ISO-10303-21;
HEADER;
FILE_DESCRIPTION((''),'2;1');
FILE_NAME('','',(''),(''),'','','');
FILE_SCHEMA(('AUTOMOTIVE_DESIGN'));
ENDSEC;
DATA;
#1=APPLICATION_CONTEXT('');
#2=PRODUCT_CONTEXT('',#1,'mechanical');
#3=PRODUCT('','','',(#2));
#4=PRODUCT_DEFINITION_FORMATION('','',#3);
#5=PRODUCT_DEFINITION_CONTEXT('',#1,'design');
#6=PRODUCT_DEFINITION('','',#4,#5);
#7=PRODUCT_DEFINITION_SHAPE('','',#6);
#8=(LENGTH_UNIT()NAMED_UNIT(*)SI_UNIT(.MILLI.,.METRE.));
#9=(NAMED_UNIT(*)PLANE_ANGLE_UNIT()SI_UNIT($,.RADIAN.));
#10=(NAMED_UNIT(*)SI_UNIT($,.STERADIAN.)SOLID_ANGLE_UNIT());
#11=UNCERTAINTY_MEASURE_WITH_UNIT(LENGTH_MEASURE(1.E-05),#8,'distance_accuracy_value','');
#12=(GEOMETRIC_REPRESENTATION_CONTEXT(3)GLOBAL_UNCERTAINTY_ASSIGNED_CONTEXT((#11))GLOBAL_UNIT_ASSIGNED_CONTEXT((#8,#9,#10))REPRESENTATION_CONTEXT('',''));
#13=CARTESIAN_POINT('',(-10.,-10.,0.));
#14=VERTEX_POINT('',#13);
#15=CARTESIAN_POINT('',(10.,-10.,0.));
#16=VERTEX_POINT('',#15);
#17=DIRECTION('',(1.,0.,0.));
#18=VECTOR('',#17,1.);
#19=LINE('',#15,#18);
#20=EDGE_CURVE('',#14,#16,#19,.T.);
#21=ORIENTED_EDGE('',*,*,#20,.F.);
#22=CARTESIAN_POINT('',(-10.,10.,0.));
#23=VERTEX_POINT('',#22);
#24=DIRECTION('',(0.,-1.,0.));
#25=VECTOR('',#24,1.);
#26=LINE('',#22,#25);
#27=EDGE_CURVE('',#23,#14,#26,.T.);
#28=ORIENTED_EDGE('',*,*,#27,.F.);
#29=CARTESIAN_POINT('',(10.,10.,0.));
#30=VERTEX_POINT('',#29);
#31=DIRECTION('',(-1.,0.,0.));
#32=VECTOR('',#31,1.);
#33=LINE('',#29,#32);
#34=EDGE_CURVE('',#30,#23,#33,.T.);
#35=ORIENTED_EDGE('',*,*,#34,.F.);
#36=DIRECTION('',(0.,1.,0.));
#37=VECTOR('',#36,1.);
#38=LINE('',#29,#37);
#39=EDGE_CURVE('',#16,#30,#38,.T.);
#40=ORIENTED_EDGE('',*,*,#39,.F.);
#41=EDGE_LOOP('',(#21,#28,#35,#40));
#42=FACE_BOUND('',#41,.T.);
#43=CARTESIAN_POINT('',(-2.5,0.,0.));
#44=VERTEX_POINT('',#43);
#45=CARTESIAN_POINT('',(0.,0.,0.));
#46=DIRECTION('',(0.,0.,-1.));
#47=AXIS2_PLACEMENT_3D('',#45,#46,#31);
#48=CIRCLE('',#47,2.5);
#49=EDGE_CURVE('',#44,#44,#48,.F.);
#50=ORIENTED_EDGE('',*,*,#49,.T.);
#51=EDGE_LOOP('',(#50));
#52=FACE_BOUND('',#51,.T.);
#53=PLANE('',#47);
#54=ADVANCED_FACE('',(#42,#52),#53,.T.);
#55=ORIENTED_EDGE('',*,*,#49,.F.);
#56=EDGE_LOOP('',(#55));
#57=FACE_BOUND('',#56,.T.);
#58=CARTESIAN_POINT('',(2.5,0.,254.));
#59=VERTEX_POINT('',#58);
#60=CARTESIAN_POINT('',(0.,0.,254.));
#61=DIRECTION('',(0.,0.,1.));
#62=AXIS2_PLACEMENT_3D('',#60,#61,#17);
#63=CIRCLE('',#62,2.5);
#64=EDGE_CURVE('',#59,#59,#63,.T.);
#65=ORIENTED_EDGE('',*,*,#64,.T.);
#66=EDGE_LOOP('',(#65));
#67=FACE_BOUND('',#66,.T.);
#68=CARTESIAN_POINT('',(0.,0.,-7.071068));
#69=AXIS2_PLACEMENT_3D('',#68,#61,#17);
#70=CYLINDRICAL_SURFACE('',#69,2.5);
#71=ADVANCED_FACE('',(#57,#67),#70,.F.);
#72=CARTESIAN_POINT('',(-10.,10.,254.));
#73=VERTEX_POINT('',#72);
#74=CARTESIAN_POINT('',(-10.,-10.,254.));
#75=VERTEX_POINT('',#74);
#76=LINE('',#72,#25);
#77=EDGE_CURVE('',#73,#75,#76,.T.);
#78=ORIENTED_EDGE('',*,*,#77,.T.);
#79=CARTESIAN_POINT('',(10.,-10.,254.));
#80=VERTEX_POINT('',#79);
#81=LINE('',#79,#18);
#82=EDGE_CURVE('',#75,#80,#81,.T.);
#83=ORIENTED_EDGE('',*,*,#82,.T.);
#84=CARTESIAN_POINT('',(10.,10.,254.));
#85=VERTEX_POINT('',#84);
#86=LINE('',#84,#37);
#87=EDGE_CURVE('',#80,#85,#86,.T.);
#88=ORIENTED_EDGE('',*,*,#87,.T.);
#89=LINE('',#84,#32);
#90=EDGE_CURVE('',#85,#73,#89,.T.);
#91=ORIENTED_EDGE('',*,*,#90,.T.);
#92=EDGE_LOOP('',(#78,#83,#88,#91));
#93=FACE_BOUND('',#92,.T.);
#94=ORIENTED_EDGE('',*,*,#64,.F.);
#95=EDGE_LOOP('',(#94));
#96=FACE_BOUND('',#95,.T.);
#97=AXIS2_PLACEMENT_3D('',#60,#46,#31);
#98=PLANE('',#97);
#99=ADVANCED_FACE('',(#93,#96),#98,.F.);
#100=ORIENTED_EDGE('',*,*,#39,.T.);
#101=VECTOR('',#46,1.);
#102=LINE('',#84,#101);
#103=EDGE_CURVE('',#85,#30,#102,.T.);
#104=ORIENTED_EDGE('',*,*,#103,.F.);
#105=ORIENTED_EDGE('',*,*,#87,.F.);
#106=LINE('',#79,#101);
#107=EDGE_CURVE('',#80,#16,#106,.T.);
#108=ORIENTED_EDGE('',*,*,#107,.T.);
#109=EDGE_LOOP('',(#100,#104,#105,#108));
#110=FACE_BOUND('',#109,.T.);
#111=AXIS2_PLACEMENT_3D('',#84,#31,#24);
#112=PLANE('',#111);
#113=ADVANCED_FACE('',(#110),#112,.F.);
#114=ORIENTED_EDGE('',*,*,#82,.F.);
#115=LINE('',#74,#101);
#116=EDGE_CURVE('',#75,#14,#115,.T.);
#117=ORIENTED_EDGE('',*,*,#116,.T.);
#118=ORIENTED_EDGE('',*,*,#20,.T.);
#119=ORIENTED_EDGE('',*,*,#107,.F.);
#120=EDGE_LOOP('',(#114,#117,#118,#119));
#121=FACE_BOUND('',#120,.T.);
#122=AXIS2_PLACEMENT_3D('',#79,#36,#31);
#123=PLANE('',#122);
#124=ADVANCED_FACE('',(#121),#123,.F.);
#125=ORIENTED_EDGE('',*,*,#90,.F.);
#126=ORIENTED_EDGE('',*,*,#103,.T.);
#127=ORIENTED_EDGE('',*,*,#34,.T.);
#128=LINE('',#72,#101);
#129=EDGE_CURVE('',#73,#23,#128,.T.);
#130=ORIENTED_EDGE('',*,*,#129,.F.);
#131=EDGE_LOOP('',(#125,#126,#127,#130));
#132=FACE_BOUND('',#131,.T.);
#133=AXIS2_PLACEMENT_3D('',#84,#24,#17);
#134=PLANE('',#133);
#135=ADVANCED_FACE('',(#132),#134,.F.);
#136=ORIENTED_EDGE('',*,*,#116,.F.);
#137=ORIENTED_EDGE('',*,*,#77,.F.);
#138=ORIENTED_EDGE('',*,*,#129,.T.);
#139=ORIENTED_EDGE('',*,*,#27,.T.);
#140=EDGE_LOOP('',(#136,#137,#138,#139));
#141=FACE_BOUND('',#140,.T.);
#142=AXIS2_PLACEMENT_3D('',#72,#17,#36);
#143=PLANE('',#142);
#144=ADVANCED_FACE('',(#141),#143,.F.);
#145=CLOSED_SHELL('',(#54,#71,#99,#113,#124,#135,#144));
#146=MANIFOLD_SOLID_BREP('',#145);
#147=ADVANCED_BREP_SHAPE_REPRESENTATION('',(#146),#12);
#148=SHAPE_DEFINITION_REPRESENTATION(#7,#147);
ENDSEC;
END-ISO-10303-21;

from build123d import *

# Parameters (mm, degrees)
SKETCH1_W           = 20
SKETCH1_H           = 20
BOSS_EXTRUDE1_DEPTH = 254
SKETCH2_R           = 2.5
CUT_EXTRUDE1_DEPTH  = 254


with BuildPart() as part:
    # Sketch1 → Boss-Extrude1 (new body)
    with BuildSketch(Plane.XY):
        Rectangle(SKETCH1_W, SKETCH1_H)
    extrude(amount=BOSS_EXTRUDE1_DEPTH)

    # Sketch2 → Cut-Extrude1 (cut)
    with BuildSketch(Plane.XY.offset(254)):
        Circle(SKETCH2_R)
    extrude(amount=-CUT_EXTRUDE1_DEPTH, mode=Mode.SUBTRACT)


solid = part.part
